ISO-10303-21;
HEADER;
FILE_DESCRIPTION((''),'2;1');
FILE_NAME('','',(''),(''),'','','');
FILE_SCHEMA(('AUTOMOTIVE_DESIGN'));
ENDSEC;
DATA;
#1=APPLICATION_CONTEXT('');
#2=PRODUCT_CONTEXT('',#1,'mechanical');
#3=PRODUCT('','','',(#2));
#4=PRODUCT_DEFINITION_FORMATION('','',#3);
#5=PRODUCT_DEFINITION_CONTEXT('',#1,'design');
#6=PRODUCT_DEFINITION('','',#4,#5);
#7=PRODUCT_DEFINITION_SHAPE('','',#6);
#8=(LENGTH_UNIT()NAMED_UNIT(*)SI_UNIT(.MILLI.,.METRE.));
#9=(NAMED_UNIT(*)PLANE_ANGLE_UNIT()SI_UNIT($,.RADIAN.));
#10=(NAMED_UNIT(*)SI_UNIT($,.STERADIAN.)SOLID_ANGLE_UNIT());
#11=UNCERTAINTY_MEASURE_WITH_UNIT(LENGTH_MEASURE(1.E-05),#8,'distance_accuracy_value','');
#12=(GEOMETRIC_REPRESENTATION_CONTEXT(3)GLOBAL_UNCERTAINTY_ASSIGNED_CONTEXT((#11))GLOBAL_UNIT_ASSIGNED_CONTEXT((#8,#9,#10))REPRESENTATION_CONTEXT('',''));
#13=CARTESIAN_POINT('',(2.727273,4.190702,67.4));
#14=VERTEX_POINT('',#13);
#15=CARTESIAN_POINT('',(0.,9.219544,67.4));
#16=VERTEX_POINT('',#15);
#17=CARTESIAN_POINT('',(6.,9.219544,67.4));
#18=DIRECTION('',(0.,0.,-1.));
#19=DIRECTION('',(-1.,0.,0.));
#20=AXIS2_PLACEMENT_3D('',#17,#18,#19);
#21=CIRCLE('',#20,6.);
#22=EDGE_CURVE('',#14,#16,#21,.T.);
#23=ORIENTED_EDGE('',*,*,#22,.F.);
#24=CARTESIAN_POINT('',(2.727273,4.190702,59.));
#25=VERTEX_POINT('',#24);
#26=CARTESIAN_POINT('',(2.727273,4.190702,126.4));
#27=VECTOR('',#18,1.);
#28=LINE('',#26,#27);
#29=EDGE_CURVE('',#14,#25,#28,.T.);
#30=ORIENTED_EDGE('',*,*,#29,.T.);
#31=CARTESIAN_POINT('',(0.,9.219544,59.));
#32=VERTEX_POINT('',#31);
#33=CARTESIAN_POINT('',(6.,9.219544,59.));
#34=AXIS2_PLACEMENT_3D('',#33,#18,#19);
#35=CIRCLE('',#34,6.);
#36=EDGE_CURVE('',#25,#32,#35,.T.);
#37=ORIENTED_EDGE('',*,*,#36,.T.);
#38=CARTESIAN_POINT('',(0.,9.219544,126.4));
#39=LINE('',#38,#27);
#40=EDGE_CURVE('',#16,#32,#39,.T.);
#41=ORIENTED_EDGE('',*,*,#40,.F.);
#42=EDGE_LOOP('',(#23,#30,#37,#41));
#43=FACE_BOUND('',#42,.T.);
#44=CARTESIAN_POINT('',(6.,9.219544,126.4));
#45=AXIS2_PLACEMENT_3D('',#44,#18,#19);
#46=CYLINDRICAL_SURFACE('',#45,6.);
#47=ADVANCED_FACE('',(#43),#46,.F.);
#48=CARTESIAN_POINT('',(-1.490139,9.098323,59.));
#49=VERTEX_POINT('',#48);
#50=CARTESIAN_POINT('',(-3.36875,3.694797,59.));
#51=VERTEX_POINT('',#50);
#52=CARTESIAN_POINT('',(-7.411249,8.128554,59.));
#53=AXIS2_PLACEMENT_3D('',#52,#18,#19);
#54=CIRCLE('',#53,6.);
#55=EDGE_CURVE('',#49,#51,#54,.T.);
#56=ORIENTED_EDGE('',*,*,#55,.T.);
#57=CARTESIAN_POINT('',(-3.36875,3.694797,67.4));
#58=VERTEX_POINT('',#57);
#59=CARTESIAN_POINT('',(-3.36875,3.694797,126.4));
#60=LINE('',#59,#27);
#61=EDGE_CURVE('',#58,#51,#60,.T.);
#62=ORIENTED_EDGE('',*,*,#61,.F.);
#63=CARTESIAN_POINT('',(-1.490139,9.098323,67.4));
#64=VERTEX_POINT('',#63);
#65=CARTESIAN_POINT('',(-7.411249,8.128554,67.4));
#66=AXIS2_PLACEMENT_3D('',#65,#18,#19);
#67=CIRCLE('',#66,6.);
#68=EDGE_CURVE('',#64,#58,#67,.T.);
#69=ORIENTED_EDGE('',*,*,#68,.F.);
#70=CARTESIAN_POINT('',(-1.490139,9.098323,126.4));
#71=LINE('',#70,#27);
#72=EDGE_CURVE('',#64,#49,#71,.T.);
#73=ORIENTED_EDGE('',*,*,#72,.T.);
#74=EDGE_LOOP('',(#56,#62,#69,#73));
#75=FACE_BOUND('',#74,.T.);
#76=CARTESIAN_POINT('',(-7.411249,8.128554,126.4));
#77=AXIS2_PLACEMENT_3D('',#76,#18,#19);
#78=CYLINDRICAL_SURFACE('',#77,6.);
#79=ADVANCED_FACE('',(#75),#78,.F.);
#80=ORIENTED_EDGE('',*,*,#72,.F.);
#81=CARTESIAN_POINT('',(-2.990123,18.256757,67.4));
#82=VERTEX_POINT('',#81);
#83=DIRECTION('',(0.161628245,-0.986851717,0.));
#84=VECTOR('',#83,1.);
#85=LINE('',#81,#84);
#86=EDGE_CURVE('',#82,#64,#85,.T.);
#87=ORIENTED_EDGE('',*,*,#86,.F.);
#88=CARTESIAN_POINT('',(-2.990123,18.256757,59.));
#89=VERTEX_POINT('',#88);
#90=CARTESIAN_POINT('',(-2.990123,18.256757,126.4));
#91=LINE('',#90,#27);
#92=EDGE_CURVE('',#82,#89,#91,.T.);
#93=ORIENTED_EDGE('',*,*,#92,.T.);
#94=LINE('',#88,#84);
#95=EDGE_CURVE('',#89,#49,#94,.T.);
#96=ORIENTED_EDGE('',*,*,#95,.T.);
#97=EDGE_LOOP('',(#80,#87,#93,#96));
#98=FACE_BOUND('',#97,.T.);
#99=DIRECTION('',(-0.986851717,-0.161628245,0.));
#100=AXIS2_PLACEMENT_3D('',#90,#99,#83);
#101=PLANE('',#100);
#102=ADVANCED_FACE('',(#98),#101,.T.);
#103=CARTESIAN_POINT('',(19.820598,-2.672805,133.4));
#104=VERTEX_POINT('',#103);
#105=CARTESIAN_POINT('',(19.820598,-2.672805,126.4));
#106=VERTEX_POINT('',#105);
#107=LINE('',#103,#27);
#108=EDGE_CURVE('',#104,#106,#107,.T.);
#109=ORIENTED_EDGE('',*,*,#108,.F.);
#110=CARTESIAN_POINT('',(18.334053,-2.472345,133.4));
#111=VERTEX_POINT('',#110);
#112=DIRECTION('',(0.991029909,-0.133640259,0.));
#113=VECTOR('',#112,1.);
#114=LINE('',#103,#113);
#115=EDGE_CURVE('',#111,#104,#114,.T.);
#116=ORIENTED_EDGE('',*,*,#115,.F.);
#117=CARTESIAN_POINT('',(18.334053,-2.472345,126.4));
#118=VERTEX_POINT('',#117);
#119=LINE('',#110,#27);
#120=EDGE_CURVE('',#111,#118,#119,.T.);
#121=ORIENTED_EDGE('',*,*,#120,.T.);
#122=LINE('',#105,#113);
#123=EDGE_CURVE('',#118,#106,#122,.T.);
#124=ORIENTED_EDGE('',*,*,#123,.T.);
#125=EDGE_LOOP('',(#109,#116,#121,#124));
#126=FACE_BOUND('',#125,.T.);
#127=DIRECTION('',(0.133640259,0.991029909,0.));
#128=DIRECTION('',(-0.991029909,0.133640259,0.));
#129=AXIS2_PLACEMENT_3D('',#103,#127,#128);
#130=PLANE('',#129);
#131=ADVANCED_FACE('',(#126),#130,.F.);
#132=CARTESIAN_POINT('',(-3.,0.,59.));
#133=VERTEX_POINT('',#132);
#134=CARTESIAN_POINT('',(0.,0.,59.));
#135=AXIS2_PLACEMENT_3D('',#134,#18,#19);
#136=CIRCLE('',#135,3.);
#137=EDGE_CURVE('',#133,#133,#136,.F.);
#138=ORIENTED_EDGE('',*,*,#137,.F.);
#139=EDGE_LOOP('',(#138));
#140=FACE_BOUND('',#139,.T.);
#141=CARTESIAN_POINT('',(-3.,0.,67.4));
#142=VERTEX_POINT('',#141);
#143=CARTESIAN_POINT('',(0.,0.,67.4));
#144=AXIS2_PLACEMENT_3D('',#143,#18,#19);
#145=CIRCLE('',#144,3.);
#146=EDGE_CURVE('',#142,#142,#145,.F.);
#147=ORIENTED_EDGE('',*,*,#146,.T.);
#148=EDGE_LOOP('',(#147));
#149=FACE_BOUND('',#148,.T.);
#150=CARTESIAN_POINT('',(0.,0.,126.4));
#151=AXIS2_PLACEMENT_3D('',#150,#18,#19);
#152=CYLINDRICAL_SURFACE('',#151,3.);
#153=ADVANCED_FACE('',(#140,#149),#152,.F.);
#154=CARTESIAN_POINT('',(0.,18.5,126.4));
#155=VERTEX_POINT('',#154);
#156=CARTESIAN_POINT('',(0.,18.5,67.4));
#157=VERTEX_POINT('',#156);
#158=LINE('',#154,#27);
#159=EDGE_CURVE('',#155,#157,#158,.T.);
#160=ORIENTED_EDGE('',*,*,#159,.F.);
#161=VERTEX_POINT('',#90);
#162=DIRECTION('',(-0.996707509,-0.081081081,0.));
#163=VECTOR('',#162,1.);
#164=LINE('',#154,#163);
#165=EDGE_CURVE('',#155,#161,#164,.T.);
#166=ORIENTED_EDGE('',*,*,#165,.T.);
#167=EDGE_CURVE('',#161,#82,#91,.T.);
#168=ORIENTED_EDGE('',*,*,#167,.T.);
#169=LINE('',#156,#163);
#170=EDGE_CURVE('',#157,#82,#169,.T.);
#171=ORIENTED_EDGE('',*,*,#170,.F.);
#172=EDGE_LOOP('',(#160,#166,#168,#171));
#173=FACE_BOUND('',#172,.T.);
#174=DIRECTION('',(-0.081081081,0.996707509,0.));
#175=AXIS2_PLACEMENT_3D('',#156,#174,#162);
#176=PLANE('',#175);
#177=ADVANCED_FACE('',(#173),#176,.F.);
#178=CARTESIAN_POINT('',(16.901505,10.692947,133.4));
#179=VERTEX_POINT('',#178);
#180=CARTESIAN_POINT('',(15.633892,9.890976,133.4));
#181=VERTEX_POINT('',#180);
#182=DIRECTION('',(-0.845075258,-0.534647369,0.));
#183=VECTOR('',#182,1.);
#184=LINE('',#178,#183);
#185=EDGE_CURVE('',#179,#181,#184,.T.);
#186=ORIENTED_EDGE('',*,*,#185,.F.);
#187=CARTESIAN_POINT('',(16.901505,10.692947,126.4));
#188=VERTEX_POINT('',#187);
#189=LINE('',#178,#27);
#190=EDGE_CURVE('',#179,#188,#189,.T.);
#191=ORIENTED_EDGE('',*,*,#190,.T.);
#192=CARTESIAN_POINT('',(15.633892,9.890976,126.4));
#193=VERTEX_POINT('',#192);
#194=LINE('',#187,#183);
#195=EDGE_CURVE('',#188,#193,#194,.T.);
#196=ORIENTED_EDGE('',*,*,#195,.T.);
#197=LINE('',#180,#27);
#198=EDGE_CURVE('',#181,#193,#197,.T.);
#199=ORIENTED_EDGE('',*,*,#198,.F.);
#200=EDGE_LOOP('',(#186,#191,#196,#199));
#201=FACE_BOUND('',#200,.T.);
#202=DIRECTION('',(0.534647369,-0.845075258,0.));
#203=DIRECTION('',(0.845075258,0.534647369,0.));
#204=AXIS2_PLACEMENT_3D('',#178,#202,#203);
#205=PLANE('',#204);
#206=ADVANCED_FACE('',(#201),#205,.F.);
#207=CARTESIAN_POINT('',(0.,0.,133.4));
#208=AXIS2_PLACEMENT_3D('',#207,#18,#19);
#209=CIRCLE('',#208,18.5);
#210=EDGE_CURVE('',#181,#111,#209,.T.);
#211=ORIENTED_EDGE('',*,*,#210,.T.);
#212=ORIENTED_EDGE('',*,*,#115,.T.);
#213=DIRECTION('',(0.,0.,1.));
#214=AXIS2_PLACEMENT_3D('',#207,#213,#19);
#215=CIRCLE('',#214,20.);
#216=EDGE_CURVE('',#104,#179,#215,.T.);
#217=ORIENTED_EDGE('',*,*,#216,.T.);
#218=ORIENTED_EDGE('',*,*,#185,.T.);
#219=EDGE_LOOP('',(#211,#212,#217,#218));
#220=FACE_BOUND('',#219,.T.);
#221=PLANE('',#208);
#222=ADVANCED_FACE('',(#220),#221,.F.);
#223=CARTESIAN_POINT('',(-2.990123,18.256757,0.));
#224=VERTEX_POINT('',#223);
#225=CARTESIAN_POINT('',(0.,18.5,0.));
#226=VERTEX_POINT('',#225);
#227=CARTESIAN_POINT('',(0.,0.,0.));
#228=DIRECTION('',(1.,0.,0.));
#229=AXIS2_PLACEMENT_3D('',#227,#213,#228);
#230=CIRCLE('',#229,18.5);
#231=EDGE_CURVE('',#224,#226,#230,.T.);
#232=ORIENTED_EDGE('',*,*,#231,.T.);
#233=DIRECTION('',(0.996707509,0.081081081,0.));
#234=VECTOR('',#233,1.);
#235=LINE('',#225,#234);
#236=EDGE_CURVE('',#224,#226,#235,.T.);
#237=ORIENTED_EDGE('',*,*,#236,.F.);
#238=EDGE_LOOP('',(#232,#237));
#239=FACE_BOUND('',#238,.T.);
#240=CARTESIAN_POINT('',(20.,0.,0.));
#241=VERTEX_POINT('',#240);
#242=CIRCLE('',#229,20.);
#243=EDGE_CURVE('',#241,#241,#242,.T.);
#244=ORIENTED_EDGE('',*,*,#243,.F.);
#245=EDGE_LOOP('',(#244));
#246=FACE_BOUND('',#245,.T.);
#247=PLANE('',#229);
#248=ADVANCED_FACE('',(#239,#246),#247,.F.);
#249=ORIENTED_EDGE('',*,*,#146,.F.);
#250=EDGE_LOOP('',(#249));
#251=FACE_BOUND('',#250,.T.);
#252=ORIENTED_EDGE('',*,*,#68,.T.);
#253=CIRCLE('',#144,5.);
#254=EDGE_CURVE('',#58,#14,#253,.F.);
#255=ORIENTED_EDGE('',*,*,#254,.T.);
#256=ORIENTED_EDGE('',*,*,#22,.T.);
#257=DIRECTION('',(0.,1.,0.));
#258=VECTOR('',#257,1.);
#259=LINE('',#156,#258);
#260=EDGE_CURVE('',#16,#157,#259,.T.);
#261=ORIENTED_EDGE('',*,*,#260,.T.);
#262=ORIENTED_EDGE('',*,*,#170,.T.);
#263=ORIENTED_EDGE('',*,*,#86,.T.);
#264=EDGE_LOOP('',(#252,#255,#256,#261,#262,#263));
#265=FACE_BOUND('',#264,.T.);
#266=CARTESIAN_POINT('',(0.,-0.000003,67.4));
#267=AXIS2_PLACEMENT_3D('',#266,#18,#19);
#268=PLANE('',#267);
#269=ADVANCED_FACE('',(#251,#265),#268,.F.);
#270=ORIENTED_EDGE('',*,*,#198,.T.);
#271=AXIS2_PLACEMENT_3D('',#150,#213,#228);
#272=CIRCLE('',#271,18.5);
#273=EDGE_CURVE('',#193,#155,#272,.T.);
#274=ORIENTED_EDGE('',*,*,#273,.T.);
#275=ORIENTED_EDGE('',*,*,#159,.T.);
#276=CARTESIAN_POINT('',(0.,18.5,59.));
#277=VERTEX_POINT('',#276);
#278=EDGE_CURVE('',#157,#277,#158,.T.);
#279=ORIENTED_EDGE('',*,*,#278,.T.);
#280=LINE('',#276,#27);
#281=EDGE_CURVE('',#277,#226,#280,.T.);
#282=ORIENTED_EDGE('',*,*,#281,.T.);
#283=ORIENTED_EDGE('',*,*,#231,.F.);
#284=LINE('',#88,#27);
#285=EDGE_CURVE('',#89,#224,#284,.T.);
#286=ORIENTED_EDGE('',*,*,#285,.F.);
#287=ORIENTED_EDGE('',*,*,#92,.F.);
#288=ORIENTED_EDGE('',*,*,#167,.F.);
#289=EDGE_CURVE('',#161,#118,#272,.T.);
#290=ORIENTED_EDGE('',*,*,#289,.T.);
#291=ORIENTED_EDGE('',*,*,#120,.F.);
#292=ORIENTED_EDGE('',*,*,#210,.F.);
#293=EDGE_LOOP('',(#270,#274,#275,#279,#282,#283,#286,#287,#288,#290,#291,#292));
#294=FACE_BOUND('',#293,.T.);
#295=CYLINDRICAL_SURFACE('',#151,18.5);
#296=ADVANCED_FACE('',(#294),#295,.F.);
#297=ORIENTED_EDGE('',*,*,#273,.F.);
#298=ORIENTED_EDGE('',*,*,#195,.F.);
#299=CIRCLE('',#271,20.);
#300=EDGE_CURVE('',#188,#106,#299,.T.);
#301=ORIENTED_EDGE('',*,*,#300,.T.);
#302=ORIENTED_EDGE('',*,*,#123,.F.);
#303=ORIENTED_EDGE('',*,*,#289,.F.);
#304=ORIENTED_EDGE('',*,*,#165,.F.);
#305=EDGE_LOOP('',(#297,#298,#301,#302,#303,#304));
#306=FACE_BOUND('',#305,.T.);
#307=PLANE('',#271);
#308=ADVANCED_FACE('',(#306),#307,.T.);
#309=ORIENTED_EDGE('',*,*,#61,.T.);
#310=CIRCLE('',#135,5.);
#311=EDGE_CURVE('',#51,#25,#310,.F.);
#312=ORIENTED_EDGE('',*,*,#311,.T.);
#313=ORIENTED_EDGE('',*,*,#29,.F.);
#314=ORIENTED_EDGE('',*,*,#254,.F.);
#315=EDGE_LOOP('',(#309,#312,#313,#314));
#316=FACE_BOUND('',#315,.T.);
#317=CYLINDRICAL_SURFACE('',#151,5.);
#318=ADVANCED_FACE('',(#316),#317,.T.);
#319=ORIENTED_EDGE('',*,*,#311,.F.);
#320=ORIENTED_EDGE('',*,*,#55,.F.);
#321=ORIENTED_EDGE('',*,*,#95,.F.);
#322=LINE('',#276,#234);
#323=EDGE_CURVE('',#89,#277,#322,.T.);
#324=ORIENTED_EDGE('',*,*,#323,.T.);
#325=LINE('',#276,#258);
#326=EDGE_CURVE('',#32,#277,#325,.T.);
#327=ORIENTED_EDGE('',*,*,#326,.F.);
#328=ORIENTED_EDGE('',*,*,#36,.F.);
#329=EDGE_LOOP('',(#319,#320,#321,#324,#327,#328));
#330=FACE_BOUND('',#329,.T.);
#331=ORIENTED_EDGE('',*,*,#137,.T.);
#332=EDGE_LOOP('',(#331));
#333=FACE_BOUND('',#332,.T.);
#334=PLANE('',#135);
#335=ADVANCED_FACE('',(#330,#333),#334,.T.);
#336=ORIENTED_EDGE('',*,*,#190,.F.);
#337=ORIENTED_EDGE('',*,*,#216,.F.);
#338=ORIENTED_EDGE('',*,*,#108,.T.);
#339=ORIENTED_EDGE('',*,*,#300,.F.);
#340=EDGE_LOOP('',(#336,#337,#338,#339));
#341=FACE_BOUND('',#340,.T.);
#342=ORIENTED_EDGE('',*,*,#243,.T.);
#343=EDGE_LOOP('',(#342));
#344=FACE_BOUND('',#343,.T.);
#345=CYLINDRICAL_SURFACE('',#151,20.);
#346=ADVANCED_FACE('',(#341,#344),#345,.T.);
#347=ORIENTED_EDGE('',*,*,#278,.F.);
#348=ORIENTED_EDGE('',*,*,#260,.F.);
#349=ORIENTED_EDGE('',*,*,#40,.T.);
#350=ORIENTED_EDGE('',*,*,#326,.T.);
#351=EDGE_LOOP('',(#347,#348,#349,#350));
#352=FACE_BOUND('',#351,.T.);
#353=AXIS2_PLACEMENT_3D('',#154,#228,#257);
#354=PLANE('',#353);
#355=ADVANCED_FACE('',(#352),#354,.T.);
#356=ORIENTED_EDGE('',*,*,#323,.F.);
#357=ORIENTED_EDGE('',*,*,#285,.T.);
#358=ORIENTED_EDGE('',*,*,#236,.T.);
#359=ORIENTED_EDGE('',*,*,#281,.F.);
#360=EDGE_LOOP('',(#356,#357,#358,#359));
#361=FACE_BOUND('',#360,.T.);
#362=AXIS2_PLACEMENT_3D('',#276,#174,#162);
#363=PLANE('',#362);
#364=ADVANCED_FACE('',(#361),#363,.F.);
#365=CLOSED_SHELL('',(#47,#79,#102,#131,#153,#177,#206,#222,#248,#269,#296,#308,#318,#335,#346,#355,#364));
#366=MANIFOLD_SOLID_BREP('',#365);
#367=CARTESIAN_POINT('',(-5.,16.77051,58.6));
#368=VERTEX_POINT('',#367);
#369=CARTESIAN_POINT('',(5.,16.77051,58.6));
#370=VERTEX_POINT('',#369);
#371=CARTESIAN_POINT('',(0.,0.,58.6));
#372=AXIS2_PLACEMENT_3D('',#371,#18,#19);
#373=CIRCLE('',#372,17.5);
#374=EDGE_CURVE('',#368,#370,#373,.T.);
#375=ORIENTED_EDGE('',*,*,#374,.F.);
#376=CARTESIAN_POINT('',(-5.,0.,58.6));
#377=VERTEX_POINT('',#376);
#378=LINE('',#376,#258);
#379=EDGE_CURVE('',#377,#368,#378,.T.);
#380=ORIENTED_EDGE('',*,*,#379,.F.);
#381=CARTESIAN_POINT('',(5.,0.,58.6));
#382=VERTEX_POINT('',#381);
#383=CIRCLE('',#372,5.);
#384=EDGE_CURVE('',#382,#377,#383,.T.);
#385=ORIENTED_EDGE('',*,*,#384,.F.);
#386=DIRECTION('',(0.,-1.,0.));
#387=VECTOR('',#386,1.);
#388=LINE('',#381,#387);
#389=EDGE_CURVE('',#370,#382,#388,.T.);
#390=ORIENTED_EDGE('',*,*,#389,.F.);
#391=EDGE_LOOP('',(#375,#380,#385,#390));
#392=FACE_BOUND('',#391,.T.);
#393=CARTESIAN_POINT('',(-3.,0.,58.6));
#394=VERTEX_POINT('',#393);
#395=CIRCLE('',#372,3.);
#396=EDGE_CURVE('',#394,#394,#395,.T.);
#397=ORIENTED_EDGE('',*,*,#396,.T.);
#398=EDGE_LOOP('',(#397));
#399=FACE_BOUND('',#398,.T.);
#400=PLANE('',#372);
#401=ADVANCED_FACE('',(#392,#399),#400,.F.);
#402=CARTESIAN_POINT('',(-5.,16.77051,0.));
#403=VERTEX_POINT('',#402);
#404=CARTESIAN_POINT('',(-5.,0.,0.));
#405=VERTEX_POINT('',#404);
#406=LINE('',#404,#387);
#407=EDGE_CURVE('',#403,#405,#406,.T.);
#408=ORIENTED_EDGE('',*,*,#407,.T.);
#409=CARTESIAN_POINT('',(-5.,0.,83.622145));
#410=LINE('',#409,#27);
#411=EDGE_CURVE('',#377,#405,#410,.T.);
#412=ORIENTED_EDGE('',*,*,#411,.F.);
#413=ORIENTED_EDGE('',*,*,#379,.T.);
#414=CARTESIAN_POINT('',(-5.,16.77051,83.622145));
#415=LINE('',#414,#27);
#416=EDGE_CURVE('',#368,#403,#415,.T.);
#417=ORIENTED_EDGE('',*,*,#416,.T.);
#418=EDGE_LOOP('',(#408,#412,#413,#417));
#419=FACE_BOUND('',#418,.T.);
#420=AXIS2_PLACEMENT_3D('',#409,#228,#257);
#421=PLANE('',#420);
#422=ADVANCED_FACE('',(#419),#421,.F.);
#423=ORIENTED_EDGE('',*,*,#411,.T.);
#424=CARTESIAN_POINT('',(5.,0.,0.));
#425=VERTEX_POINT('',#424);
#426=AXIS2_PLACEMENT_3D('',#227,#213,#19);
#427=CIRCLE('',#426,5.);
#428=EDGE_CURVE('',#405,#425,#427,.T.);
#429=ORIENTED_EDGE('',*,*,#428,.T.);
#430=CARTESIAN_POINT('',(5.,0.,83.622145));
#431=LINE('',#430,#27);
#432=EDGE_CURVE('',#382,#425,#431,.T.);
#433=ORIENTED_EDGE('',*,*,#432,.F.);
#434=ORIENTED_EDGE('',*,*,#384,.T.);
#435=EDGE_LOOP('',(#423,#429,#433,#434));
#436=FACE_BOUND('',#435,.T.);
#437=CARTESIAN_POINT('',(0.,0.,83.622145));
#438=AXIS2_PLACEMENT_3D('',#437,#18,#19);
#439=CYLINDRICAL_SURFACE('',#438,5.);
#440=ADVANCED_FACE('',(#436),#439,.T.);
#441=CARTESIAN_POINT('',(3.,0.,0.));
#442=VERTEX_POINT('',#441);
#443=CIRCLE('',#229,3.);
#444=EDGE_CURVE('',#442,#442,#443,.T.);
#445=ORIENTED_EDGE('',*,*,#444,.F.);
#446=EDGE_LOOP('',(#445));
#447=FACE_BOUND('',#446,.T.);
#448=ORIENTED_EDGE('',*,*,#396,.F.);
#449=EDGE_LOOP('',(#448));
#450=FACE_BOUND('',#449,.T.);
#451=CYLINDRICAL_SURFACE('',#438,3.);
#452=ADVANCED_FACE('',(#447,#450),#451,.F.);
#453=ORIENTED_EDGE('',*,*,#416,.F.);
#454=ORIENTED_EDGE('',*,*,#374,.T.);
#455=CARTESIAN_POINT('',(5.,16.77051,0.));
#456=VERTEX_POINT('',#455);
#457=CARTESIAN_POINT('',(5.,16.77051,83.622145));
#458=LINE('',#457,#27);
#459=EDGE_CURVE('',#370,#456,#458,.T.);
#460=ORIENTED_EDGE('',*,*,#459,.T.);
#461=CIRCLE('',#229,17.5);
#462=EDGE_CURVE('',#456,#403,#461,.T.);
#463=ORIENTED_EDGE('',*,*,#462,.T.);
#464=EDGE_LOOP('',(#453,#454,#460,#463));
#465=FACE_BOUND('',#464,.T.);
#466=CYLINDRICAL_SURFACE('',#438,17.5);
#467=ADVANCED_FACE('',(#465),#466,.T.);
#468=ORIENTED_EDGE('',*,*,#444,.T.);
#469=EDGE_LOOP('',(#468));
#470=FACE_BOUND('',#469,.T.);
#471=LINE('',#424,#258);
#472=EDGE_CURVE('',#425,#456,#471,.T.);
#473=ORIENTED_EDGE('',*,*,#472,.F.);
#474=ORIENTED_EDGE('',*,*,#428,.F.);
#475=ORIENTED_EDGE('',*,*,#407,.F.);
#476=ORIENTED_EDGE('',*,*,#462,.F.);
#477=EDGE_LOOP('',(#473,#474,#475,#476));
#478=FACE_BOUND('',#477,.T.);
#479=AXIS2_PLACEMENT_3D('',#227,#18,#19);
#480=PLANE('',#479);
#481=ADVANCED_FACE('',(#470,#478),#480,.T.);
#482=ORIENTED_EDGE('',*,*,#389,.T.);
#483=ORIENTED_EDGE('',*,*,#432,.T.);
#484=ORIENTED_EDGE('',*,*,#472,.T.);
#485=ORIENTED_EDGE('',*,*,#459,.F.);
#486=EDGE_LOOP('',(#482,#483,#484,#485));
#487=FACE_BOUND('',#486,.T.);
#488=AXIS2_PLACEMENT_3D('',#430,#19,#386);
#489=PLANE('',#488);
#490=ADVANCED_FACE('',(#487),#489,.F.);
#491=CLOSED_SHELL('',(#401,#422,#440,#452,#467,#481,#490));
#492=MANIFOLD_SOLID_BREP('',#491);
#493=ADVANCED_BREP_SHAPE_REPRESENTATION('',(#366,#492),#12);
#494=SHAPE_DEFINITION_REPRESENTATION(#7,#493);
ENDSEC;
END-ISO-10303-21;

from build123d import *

# Parameters (mm, degrees)
SKETCH_2_R          = 20
SKETCH_2_R_2        = 18.5
EXTRUDE_1_DEPTH     = 126.4
SKETCH_5_R          = 3
EXTRUDE_3_DEPTH     = 126.4
CUT_EXTRUDE1_DEPTH  = 59
CUT_EXTRUDE2_DEPTH  = 59
BOSS_EXTRUDE4_DEPTH = 7
SKETCH3_R           = 3
BOSS_EXTRUDE6_DEPTH = 58.6


with BuildPart() as part:
    # Эскиз2 → Бобышка-Вытянуть1 (new body)
    with BuildSketch(Plane.XY):
        Circle(SKETCH_2_R)
        Circle(SKETCH_2_R_2, mode=Mode.SUBTRACT)
    extrude(amount=EXTRUDE_1_DEPTH)

    # Эскиз5 → Бобышка-Вытянуть3 (add, through all)
    with BuildSketch(Plane(origin=(0, 0, 0), x_dir=(-1, 0, 0), z_dir=(0, 0, -1))):
        with BuildLine():
            Line((0, 18.5), (0, 9.219544457))
            ThreePointArc((0, 9.219544457), (-0.725705562, 6.35915669), (-2.727272727, 4.190702026))
            ThreePointArc((-2.727272727, 4.190702026), (-0.405405405, -4.983537544), (3.368749585, 3.694797184))
            ThreePointArc((3.368749585, 3.694797184), (1.743983113, 6.158250179), (1.490138787, 9.098323274))
            Line((1.490138787, 9.098323274), (2.990122527, 18.256756757))
            ThreePointArc((2.990122527, 18.256756757), (1.5, 18.439088915), (0, 18.5))
        make_face()
        Circle(SKETCH_5_R, mode=Mode.SUBTRACT)
    extrude(amount=-EXTRUDE_3_DEPTH)

    # Sketch1 → Cut-Extrude1 (cut)
    with BuildSketch(Plane(origin=(0, 0, 0), x_dir=(-1, 0, 0), z_dir=(0, 0, -1))):
        with BuildLine():
            Line((0, 18.5), (2.990122527, 18.256756757))
            ThreePointArc((2.990122527, 18.256756757), (-1.5, -18.439088915), (0, 18.5))
        make_face()
    extrude(amount=-CUT_EXTRUDE1_DEPTH, mode=Mode.SUBTRACT)

    # Sketch2 → Cut-Extrude2 (cut)
    with BuildSketch(Plane.XY.offset(126.4)):
        with BuildLine():
            Line((0, 18.5), (-2.990122527, 18.256756757))
            ThreePointArc((-2.990122527, 18.256756757), (1.50000041, -18.439093959), (0, 18.5))
        make_face()
    extrude(amount=-CUT_EXTRUDE2_DEPTH, mode=Mode.SUBTRACT)

    # Sketch6 → Boss-Extrude4 (add)
    with BuildSketch(Plane.XY.offset(126.4)):
        with BuildLine():
            Line((16.901505151, 10.692947377), (15.633892265, 9.890976324))
            ThreePointArc((15.633892265, 9.890976324), (18.073966336, 3.947371391), (18.334053323, -2.472344789))
            Line((18.334053323, -2.472344789), (19.820598187, -2.672805177))
            ThreePointArc((19.820598187, -2.672805177), (19.539423066, 4.267428531), (16.901505151, 10.692947377))
        make_face()
    extrude(amount=BOSS_EXTRUDE4_DEPTH)


with BuildPart() as body_2:
    # Sketch3 → Boss-Extrude6 (new body)
    with BuildSketch(Plane.XY):
        with BuildLine():
            Line((5, 0), (5, 16.770509831))
            ThreePointArc((5, 16.770509831), (0, 17.5), (-5, 16.770509831))
            Line((-5, 16.770509831), (-5, 0))
            ThreePointArc((-5, 0), (0, -5), (5, 0))
        make_face()
        Circle(SKETCH3_R, mode=Mode.SUBTRACT)
    extrude(amount=BOSS_EXTRUDE6_DEPTH)


solid = Compound([part.part, body_2.part])
